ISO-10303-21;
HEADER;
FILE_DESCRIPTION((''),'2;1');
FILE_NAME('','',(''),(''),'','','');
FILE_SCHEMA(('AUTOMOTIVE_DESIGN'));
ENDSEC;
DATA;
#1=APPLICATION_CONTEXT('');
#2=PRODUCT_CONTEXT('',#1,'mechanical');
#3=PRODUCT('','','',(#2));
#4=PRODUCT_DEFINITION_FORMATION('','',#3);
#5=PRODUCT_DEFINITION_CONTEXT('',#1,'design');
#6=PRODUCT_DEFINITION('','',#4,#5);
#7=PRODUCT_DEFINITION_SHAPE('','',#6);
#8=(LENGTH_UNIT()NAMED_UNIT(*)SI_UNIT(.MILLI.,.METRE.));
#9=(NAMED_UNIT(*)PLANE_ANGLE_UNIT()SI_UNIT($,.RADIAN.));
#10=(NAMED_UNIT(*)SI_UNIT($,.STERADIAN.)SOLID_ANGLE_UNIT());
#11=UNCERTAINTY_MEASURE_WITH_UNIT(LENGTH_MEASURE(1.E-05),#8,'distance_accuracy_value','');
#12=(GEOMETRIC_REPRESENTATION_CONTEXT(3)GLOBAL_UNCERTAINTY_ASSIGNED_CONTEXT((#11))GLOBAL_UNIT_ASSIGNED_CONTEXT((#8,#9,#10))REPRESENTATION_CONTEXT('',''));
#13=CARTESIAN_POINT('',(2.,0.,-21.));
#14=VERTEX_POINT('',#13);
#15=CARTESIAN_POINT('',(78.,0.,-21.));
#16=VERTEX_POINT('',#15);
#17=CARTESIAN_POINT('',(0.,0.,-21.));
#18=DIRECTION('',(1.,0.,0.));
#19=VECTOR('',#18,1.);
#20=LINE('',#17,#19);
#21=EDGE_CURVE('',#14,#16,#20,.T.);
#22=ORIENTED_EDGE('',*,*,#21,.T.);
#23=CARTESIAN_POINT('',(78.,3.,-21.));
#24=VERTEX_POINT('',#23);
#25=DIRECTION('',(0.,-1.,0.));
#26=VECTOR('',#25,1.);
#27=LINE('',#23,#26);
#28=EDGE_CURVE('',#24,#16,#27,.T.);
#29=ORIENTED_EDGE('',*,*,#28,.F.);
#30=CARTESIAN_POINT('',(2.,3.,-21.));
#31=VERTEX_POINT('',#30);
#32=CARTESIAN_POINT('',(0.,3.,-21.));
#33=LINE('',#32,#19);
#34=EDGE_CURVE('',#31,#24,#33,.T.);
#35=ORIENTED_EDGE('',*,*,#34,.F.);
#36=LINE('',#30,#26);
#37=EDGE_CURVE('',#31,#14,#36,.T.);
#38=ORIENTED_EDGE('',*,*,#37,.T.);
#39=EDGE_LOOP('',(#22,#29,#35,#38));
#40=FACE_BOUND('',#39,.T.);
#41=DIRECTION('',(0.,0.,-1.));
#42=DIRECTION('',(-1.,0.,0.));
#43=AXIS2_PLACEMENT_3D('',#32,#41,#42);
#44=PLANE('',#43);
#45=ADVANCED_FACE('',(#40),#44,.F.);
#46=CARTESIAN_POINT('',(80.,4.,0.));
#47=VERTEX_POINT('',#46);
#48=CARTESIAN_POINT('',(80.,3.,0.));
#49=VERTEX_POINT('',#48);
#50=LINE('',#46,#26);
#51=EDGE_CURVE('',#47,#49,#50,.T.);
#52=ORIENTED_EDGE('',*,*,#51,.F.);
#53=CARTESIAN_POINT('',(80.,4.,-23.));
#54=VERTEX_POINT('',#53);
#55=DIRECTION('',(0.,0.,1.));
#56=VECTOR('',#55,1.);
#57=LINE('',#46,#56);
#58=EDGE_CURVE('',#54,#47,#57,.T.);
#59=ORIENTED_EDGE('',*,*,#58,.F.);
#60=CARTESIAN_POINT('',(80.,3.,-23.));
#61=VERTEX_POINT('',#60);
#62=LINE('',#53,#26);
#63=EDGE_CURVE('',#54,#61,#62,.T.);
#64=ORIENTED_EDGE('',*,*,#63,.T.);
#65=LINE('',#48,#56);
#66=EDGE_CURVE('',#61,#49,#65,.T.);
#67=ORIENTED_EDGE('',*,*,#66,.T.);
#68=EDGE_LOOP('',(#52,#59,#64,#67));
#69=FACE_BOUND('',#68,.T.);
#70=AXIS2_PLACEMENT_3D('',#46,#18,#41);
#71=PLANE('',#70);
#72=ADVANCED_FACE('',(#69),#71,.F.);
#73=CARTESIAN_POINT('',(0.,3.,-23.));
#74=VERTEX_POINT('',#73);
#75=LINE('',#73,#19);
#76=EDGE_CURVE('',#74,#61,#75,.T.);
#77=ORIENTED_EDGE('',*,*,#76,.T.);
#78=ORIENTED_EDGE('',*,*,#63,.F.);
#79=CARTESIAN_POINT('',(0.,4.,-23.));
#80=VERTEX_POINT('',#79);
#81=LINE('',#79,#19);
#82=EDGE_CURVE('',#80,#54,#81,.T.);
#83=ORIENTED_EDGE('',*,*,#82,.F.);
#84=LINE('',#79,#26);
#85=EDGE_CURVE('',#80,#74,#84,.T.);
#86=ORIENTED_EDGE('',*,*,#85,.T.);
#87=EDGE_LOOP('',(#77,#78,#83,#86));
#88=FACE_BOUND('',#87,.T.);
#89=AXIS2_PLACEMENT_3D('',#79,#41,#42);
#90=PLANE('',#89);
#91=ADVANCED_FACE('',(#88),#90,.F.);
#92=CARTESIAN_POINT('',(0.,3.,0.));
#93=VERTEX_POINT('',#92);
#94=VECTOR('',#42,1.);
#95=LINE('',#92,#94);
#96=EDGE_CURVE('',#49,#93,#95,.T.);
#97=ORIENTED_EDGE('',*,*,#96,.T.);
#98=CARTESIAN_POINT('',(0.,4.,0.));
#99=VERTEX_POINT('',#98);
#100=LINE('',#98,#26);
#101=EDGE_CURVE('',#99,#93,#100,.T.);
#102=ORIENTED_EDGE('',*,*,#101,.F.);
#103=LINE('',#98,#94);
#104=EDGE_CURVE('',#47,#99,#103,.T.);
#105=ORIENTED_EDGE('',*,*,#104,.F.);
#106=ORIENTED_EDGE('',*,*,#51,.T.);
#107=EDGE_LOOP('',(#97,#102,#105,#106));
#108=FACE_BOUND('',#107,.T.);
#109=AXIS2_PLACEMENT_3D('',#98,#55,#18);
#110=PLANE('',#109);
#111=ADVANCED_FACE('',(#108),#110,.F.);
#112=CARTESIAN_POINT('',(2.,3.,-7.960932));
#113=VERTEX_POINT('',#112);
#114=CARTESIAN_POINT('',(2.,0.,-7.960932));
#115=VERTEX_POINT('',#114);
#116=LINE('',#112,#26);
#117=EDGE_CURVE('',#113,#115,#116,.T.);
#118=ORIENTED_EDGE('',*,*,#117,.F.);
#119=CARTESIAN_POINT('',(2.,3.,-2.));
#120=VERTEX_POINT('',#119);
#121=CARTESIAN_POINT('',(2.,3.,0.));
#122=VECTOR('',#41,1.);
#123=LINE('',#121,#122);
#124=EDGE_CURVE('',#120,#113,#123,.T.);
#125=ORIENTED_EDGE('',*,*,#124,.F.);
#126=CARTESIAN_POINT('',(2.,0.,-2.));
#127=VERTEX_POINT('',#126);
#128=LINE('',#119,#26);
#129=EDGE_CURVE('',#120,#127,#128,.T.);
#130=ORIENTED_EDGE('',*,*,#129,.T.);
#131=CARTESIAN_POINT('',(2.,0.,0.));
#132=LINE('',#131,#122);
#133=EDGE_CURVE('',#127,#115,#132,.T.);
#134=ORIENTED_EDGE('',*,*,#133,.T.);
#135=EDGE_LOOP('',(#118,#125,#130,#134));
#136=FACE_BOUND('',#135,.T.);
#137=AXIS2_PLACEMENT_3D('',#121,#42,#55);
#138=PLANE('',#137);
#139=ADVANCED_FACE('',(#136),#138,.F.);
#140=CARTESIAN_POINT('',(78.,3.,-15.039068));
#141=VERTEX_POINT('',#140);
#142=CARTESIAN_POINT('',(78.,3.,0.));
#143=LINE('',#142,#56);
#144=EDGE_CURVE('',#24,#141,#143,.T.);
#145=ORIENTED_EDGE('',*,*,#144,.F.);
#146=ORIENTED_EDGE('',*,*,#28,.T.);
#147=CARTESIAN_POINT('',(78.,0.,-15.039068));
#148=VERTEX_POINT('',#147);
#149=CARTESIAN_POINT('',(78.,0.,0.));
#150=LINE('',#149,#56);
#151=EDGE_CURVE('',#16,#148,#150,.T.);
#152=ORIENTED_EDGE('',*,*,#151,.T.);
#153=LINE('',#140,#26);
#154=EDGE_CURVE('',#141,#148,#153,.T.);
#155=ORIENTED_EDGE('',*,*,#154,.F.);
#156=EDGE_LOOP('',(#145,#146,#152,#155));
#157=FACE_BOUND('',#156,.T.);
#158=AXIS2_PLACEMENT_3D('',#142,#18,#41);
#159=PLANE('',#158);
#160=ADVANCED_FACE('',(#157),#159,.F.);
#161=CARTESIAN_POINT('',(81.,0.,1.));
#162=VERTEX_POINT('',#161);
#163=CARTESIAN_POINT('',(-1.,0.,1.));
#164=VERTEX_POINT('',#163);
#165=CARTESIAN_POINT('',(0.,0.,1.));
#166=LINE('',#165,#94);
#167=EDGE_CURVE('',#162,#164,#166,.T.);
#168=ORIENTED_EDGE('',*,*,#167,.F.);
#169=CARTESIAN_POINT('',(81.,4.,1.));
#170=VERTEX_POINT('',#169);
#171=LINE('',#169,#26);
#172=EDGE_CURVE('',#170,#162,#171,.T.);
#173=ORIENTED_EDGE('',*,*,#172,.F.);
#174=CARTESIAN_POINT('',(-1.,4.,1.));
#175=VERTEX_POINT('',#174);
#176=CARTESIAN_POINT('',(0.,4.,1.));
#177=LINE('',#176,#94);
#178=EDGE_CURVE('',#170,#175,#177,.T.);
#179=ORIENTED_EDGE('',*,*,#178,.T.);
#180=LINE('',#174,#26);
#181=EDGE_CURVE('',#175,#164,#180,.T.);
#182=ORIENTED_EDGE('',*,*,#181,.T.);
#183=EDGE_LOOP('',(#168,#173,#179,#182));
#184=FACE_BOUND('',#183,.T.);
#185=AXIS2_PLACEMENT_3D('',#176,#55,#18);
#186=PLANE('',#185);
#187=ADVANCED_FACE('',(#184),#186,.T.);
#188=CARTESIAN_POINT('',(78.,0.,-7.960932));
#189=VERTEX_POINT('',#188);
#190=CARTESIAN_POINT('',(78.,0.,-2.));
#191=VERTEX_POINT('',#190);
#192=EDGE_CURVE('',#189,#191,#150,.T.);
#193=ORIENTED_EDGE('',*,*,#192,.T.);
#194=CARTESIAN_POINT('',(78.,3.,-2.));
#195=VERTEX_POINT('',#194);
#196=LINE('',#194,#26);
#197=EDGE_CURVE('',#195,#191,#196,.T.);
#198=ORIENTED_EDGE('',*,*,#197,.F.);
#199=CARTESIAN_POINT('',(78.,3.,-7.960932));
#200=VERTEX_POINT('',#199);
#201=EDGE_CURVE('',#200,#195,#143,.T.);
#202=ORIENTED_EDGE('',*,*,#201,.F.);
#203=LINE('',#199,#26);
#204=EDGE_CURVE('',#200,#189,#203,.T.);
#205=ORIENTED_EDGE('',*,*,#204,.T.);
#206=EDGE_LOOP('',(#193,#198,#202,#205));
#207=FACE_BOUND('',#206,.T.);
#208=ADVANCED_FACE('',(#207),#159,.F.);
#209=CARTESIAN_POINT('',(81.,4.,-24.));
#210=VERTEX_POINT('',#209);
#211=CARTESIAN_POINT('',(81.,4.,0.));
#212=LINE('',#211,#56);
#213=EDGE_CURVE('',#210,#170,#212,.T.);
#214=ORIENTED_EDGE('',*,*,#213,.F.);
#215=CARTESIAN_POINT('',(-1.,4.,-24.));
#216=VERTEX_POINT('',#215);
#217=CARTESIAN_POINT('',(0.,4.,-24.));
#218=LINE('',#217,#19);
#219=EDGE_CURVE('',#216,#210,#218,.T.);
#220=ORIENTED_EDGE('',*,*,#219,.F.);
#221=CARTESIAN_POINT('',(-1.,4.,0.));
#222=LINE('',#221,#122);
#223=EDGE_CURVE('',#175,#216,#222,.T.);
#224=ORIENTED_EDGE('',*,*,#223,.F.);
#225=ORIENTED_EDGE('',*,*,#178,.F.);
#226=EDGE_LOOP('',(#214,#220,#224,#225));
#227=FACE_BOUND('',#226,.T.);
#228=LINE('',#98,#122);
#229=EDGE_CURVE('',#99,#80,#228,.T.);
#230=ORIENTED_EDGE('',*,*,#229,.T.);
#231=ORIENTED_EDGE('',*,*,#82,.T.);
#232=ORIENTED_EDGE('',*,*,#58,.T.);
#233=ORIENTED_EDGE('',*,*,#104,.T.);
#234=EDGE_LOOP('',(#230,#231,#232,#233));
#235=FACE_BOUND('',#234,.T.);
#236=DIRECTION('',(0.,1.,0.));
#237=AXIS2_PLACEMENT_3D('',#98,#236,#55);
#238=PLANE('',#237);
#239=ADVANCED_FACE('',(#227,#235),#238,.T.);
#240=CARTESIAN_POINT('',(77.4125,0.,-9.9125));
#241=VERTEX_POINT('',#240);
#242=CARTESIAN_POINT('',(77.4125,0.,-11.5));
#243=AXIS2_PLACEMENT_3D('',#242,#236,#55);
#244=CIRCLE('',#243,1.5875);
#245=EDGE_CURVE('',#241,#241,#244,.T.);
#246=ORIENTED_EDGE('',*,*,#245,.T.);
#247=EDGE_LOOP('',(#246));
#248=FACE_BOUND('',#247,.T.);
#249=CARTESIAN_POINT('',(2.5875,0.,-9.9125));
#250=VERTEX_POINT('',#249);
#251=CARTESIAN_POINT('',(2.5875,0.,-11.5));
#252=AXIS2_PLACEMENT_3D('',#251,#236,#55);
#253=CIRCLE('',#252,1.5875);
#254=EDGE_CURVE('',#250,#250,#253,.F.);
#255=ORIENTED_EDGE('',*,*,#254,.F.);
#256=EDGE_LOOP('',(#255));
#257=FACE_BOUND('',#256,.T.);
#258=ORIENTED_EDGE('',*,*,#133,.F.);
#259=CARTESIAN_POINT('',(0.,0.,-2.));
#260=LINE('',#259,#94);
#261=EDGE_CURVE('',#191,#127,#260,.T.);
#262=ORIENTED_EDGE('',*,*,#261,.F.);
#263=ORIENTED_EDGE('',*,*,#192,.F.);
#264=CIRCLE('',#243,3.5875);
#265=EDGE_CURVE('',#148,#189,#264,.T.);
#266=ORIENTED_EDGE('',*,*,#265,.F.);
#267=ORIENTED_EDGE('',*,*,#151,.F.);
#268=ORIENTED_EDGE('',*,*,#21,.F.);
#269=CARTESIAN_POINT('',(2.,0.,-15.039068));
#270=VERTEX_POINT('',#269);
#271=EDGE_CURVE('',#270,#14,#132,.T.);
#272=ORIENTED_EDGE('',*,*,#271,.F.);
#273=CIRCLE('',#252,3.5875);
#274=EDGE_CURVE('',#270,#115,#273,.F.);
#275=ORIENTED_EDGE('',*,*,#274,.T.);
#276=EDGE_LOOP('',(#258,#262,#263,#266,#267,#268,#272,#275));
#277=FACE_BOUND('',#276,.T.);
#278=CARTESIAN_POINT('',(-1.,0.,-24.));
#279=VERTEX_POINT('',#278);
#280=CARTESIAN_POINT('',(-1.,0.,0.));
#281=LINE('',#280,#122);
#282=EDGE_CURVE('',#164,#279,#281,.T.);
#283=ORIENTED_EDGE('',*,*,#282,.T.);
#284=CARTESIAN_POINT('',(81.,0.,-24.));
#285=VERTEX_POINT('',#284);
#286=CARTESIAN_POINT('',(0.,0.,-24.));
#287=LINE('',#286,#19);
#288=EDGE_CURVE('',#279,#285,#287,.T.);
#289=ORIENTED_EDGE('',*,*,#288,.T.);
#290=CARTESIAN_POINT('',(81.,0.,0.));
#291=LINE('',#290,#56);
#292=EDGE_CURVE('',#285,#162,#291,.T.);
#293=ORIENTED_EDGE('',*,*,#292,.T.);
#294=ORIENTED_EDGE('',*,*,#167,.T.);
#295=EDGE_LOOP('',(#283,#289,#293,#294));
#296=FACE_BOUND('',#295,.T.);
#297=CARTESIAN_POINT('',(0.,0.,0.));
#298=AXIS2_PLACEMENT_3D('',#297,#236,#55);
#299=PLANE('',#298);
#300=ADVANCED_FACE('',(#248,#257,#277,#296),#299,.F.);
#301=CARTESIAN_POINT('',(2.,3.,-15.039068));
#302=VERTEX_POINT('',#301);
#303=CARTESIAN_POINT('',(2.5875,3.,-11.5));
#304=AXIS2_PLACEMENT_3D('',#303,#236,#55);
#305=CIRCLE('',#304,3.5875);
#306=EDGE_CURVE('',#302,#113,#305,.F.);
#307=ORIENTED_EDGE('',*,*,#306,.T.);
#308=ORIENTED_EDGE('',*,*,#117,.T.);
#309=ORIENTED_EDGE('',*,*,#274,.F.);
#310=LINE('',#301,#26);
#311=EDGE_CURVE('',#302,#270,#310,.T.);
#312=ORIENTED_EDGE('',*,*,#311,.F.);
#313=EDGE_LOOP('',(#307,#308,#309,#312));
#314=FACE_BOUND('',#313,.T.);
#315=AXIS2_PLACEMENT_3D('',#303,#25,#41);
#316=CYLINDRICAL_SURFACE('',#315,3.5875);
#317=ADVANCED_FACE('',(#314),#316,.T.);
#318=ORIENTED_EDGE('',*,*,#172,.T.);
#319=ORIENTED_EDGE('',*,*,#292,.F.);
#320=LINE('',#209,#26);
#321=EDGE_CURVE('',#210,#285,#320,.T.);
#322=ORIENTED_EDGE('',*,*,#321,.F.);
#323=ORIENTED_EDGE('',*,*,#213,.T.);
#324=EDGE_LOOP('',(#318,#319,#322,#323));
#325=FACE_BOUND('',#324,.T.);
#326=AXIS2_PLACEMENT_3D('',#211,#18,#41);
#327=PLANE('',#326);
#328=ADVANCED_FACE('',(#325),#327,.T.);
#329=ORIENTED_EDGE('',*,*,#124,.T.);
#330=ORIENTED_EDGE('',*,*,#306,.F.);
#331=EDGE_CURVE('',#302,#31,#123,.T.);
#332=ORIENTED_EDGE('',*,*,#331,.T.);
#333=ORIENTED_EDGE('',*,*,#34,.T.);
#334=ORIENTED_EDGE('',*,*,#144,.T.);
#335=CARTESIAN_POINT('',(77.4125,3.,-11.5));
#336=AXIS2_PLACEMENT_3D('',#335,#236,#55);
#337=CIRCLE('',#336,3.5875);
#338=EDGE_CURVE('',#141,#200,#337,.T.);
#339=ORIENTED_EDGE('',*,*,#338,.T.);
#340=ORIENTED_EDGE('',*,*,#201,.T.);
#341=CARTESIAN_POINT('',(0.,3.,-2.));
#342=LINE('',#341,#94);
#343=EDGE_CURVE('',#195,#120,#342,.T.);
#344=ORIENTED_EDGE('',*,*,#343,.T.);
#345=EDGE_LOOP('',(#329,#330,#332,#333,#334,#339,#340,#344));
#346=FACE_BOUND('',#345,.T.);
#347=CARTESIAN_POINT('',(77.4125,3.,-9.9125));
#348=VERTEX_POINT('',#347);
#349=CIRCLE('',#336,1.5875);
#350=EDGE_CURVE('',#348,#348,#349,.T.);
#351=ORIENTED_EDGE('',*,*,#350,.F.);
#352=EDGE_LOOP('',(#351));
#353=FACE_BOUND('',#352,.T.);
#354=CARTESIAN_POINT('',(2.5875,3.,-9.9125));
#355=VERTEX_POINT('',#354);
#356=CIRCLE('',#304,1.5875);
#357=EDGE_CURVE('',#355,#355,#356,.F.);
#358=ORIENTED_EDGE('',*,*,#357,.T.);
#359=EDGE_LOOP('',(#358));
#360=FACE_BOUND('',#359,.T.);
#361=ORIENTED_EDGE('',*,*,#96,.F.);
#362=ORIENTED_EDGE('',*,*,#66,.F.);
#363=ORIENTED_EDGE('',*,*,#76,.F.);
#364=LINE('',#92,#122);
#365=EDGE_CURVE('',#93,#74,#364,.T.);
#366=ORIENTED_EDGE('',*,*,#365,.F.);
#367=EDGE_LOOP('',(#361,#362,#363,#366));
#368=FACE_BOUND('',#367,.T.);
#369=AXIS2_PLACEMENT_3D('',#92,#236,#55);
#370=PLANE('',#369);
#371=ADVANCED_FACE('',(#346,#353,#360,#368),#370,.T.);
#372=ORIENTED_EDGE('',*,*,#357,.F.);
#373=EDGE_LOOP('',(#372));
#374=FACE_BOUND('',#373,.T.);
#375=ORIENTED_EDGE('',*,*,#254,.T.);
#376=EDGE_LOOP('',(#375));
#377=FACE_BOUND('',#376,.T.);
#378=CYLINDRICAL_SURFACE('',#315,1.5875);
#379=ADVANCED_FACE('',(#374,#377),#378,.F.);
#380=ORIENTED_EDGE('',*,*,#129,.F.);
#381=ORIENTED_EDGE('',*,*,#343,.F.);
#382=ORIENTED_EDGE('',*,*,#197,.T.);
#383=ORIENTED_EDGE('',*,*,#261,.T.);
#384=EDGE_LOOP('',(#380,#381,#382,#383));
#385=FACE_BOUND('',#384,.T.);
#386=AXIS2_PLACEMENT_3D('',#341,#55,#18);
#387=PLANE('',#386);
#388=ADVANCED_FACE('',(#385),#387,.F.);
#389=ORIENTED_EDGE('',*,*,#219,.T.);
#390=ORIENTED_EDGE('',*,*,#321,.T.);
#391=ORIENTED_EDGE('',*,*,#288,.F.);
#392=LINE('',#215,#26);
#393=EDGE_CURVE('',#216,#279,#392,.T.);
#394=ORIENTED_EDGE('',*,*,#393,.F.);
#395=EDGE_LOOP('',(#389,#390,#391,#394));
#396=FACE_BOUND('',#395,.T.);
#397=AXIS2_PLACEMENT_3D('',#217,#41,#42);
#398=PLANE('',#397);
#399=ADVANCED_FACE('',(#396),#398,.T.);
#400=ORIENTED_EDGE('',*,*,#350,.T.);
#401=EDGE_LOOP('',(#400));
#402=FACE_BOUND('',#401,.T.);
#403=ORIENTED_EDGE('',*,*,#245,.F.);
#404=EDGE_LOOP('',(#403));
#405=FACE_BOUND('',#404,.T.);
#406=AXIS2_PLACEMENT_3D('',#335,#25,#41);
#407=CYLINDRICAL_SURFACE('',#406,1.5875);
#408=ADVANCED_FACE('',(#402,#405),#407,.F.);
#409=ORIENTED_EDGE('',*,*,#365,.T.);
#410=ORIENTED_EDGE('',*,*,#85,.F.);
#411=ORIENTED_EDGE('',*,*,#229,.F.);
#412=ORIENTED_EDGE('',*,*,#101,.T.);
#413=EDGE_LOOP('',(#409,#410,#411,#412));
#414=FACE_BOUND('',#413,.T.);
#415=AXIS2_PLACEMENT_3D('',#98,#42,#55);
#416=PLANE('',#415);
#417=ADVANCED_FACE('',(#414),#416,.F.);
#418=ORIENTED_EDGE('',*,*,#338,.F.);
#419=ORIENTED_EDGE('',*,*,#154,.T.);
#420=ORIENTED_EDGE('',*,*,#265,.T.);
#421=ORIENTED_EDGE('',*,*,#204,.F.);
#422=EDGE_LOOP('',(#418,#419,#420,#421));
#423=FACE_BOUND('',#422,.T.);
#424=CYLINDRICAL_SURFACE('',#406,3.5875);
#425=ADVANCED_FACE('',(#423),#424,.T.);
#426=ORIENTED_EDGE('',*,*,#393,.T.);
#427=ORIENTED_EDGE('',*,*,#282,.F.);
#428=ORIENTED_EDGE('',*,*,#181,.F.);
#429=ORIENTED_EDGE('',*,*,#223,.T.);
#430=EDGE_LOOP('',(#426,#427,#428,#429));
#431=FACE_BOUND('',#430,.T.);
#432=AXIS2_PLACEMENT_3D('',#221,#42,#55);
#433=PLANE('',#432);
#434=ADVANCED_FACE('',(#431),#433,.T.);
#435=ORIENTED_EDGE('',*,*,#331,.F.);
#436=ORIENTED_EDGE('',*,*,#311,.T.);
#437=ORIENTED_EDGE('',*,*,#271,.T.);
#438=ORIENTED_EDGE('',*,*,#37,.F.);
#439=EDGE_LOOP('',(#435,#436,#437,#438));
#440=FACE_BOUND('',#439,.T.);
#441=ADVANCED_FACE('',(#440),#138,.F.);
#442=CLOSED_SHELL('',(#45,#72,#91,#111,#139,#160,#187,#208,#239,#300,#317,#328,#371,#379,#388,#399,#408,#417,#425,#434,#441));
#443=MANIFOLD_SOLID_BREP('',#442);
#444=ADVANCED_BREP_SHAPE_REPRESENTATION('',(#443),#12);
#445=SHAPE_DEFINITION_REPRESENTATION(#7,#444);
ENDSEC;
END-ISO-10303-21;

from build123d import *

# Parameters (mm, degrees)
SKETCH1_W           = 80
SKETCH1_H           = 23
SKETCH1_R           = 1.5875
BOSS_EXTRUDE1_DEPTH = 3
SKETCH1_3_W         = 82
SKETCH1_3_H         = 25
SKETCH1_3_W_2       = 80
SKETCH1_3_H_2       = 23
BOSS_EXTRUDE2_DEPTH = 4


with BuildPart() as part:
    # Sketch1 → Boss-Extrude1 (new body)
    with BuildSketch(Plane(origin=(0, 0, 0), x_dir=(1, 0, 0), z_dir=(0, 1, 0))):
        with Locations((40, 11.5)):
            Rectangle(SKETCH1_W, SKETCH1_H)
        with Locations((2.5875, 11.5)):
            Circle(SKETCH1_R, mode=Mode.SUBTRACT)
        with BuildLine():
            Line((2, 15.039067674), (2, 21))
            Line((2, 21), (78, 21))
            Line((78, 21), (78, 15.039067674))
            ThreePointArc((78, 15.039067674), (73.825, 11.5), (78, 7.960932326))
            Line((78, 7.960932326), (78, 2))
            Line((78, 2), (2, 2))
            Line((2, 2), (2, 7.960932326))
            ThreePointArc((2, 7.960932326), (6.175, 11.5), (2, 15.039067674))
        make_face(mode=Mode.SUBTRACT)
        with Locations((77.4125, 11.5)):
            Circle(SKETCH1_R, mode=Mode.SUBTRACT)
    extrude(amount=BOSS_EXTRUDE1_DEPTH)

    # Sketch1<3> → Boss-Extrude2 (add)
    with BuildSketch(Plane(origin=(0, 0, 0), x_dir=(1, 0, 0), z_dir=(0, 1, 0))):
        with Locations((40, 11.5)):
            Rectangle(SKETCH1_3_W, SKETCH1_3_H)
        with Locations((40, 11.5)):
            Rectangle(SKETCH1_3_W_2, SKETCH1_3_H_2, mode=Mode.SUBTRACT)
    extrude(amount=BOSS_EXTRUDE2_DEPTH)


solid = part.part
